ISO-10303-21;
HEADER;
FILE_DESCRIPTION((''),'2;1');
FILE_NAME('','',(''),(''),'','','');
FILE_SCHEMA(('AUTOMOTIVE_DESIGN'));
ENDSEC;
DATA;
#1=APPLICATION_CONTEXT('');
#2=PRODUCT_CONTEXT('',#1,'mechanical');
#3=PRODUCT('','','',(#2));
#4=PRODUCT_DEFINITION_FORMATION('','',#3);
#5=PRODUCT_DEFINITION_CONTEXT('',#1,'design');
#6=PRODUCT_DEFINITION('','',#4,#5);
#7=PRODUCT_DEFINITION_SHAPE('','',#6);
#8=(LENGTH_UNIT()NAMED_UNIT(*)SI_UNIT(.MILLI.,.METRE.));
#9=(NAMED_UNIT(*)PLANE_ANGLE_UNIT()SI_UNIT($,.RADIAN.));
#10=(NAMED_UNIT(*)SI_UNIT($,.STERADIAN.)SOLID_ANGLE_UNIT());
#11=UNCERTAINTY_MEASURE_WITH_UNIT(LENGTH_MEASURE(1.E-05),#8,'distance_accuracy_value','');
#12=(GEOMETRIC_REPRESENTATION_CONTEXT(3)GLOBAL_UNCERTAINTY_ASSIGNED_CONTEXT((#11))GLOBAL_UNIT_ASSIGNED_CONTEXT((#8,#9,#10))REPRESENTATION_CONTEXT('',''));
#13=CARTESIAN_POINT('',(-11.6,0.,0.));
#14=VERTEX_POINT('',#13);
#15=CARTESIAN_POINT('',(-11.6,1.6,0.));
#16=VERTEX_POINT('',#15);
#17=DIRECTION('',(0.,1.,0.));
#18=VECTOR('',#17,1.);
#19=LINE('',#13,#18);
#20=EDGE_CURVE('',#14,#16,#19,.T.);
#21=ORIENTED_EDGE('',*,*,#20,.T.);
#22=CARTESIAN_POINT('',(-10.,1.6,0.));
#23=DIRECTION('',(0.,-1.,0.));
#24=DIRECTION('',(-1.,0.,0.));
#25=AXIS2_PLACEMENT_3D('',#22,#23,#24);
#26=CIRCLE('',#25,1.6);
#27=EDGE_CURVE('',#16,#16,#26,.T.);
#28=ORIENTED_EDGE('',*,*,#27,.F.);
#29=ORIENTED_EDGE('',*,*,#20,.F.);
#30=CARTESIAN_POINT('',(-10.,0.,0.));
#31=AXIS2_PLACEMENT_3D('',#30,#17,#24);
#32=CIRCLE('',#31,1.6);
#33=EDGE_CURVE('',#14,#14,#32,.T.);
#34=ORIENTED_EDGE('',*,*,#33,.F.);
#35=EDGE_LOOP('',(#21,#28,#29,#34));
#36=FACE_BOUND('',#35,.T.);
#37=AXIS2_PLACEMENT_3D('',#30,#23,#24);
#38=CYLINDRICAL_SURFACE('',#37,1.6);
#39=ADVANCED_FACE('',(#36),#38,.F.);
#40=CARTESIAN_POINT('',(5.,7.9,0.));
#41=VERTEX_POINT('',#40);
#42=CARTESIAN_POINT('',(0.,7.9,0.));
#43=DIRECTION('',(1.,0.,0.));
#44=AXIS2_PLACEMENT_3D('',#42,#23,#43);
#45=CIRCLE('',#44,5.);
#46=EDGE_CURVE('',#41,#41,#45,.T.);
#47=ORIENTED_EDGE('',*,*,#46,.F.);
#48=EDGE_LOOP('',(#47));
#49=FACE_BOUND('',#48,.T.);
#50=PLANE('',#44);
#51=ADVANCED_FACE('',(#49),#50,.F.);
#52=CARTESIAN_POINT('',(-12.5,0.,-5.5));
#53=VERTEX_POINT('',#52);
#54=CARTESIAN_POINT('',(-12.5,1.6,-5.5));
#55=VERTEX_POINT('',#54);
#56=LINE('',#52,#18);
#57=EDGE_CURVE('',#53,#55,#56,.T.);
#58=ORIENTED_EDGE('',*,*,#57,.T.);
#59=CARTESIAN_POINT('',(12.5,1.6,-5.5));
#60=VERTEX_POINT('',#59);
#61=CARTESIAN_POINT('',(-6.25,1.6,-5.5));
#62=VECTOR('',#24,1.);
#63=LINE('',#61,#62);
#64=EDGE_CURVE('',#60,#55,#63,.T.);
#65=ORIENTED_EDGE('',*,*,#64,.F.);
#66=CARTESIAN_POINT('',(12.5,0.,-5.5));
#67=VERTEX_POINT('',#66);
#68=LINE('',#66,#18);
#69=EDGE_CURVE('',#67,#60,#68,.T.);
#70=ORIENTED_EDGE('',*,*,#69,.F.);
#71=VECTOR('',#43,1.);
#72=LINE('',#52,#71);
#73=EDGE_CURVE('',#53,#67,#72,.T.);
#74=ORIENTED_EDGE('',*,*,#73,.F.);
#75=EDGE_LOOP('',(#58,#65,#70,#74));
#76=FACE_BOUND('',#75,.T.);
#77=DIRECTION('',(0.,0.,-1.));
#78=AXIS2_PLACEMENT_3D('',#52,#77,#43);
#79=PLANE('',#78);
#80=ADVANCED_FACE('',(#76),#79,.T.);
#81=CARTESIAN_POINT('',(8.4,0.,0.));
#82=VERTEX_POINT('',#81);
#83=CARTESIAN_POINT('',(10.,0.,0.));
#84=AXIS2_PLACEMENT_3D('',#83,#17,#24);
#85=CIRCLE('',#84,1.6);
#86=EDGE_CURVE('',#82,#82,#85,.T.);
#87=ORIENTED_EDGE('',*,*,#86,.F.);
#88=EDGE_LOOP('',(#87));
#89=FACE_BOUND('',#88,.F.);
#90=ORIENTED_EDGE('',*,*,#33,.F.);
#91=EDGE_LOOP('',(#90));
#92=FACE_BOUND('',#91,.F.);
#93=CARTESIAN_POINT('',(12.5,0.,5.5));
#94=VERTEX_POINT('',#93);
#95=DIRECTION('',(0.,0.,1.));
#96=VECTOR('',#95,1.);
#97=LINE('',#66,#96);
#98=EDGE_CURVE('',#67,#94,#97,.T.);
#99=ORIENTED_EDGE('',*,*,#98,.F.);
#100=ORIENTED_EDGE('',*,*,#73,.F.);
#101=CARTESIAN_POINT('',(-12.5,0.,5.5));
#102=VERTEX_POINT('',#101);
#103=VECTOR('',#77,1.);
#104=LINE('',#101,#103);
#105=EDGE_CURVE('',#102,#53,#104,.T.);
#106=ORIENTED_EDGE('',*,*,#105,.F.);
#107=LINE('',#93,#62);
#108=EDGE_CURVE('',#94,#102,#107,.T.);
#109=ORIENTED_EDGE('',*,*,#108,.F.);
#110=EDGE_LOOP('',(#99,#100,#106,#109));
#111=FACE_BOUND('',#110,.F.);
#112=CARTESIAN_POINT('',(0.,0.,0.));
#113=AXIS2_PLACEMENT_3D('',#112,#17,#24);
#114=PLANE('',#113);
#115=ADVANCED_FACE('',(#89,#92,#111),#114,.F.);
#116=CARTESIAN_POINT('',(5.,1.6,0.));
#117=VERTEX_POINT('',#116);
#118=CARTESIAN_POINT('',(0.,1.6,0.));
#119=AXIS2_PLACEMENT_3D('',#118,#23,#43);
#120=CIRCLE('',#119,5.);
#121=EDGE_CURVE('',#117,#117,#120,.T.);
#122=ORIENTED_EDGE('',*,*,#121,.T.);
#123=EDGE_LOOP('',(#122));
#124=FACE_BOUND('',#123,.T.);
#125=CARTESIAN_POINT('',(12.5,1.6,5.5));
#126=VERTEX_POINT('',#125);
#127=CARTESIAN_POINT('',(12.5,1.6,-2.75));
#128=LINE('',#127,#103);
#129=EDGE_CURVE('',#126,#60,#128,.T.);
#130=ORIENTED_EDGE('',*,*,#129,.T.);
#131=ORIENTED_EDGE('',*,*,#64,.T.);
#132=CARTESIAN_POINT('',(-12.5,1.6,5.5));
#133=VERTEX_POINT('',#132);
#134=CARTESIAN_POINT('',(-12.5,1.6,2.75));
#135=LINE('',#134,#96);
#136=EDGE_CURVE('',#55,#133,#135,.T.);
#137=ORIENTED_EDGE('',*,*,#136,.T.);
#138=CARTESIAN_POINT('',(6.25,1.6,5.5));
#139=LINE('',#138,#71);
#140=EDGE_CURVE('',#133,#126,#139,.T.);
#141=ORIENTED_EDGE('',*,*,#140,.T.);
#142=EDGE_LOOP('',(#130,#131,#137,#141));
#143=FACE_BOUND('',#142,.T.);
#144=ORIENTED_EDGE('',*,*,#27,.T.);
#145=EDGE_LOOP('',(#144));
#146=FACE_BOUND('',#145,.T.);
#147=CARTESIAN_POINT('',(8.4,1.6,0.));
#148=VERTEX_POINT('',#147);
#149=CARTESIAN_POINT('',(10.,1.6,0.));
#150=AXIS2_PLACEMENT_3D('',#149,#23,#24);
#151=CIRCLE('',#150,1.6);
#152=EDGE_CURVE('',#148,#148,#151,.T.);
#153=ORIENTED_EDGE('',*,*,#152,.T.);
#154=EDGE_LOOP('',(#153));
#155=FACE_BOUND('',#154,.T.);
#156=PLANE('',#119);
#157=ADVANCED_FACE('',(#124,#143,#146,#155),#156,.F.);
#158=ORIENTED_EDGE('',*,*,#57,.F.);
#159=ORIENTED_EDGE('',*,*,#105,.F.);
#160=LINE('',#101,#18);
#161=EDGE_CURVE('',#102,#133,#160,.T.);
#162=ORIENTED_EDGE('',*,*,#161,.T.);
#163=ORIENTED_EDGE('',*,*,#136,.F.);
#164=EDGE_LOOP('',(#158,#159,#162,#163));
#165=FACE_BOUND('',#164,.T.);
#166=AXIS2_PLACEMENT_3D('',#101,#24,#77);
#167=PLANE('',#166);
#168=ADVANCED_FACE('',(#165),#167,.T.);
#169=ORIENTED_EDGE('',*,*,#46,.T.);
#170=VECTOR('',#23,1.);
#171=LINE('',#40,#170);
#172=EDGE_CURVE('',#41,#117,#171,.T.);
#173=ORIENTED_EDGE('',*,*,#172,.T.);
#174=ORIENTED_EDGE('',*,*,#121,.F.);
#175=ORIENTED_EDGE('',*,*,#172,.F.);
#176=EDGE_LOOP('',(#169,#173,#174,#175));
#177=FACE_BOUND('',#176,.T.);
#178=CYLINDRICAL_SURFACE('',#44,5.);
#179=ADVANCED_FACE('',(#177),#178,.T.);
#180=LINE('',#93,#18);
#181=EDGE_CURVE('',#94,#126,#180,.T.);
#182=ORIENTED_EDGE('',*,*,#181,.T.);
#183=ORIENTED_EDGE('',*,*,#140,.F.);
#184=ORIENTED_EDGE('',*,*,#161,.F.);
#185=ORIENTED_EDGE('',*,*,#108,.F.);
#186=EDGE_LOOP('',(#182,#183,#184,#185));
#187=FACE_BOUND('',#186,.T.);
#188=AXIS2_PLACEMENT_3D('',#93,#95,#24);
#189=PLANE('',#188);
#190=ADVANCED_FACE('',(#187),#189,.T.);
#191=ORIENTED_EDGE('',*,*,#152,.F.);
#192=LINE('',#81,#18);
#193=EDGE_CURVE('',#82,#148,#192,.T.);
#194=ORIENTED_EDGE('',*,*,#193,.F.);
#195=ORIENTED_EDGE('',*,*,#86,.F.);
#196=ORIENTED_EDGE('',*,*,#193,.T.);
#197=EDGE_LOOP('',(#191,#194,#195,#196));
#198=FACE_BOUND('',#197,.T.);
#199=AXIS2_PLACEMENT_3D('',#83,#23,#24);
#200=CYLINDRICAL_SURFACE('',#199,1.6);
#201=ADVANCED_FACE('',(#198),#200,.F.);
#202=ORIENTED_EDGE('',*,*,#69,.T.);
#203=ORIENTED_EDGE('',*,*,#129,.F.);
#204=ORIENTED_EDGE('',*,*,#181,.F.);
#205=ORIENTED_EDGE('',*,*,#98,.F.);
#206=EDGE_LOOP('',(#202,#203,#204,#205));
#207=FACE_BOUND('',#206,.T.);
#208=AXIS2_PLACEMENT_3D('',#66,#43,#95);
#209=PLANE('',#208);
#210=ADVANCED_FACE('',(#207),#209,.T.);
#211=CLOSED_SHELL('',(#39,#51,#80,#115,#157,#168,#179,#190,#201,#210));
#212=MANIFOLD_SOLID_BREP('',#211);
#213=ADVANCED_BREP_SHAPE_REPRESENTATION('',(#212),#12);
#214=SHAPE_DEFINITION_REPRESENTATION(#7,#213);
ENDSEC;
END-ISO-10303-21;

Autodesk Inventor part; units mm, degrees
ref_plane "YZ Plane" through (0, 0, 0) normal (1, 0, 0) x (0, 1, 0)
ref_plane "XZ Plane" through (0, 0, 0) normal (0, 1, 0) x (-1, 0, 0)
ref_plane "XY Plane" through (0, 0, 0) normal (0, 0, 1) x (1, 0, 0)
sketch "草圖1" plane through (0, 0, 0) normal (0, 0, 1) x (1, 0, 0)
  line L0 (0, 7.9) -> (5, 7.9)
  line L1 (5, 7.9) -> (5, 1.6)
  line L2 (5, 1.6) -> (15, 1.6)
  line L3 (15, 1.6) -> (15, 0)
  line L4 (15, 0) -> (0, 0)
  line L5 (0, 7.9) -> (0, 0)
  point P0 (0, 0)
  dimension "d1" = 1.6
  dimension "d2" = 10
  dimension "d3" = 30
  dimension "d4" = 6.3
revolve "迴轉1" add sketch "草圖1" angle 360 about axis through (0, 7.9, 0) along (0, -1, 0)
sketch "草圖2" plane through (0, 0, 0) normal (0, 1, 0) x (-1, 0, 0)
  line L0 (12.5, -5.5) -> (-12.5, -5.5)
  line L1 (-12.5, -5.5) -> (-12.5, 5.5)
  line L2 (-12.5, 5.5) -> (12.5, 5.5)
  line L3 (12.5, 5.5) -> (12.5, -5.5)
  circle A0 centre (10, 0) radius 1.6
  circle A1 centre (-10, 0) radius 1.6
  line L4 (10, 0) -> (-10, 0) construction
  point P0 (0, 0)
  point P1 (0, -5.5)
  point P2 (-12.5, 0)
  point P3 (0, 0)
  dimension "d6" = 11
  dimension "d7" = 25
  dimension "d8" = 3.2
  dimension "d9" = 20
extrude "擠出1" cut sketch "草圖2" along normal through all keep common part
properties part number "磁鐵b" material "SS41"
